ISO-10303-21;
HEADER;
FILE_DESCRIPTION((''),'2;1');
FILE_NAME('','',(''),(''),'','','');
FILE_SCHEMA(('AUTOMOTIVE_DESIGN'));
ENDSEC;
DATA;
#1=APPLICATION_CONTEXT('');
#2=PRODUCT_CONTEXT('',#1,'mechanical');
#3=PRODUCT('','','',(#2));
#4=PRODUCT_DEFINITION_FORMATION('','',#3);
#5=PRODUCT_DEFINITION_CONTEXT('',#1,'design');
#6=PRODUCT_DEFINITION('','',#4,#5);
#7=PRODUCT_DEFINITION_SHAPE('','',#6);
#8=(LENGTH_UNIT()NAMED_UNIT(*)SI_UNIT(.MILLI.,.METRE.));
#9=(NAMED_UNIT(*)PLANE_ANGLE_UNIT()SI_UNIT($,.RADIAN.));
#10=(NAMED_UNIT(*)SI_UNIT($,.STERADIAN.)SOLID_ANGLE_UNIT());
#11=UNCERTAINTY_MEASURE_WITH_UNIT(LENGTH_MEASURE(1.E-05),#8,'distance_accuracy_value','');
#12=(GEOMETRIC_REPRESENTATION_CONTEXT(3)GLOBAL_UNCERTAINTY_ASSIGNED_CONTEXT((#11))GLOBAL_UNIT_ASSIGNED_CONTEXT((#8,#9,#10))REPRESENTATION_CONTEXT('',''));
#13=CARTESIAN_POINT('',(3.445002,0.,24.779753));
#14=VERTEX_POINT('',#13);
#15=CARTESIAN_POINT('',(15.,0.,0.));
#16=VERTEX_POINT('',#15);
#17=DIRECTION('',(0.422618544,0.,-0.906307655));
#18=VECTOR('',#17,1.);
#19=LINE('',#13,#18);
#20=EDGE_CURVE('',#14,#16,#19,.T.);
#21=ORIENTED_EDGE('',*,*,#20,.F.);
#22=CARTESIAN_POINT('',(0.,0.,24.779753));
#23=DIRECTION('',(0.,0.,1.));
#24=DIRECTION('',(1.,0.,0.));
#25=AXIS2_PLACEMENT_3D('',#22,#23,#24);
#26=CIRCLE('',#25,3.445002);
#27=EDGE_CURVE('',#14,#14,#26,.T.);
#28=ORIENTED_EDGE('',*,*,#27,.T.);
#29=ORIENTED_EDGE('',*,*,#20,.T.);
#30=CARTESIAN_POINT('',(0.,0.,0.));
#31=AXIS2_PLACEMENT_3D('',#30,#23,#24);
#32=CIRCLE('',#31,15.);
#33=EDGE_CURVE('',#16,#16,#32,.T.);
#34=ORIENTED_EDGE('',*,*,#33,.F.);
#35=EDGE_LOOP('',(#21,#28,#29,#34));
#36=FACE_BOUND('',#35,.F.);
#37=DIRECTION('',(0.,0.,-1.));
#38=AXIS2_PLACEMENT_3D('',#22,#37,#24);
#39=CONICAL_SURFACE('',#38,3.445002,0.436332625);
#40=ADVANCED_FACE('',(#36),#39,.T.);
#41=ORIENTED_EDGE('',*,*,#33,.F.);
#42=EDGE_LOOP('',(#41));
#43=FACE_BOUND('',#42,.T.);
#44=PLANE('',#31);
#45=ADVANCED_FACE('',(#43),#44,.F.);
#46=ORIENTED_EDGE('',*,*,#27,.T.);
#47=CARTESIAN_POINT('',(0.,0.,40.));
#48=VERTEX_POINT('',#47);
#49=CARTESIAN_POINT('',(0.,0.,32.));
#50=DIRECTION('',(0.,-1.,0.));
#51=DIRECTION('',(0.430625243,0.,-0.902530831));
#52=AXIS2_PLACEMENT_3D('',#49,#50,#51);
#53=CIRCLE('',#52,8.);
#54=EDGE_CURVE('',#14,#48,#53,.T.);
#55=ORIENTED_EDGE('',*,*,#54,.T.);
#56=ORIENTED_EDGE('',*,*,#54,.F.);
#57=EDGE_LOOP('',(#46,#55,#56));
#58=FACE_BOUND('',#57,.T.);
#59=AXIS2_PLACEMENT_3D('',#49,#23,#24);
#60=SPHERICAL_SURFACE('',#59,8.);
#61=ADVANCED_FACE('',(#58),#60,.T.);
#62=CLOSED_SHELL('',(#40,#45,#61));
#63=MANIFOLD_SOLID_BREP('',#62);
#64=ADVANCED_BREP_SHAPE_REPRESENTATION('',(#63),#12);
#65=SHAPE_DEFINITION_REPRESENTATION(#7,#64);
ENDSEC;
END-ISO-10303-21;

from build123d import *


with BuildPart() as part:
    # Sketch → Revolve (revolve)
    with BuildSketch(Plane.XZ):
        with BuildLine():
            Line((0, 0), (0, 40))
            ThreePointArc((3.445002, 24.779753), (7.802627, 33.766073), (0, 40))
            Line((3.445002, 24.779753), (15, 0))
            Line((0, 0), (15, 0))
        make_face()
    revolve(axis=Axis((0, 0, 0), (0, 0, 1)))


solid = part.part
